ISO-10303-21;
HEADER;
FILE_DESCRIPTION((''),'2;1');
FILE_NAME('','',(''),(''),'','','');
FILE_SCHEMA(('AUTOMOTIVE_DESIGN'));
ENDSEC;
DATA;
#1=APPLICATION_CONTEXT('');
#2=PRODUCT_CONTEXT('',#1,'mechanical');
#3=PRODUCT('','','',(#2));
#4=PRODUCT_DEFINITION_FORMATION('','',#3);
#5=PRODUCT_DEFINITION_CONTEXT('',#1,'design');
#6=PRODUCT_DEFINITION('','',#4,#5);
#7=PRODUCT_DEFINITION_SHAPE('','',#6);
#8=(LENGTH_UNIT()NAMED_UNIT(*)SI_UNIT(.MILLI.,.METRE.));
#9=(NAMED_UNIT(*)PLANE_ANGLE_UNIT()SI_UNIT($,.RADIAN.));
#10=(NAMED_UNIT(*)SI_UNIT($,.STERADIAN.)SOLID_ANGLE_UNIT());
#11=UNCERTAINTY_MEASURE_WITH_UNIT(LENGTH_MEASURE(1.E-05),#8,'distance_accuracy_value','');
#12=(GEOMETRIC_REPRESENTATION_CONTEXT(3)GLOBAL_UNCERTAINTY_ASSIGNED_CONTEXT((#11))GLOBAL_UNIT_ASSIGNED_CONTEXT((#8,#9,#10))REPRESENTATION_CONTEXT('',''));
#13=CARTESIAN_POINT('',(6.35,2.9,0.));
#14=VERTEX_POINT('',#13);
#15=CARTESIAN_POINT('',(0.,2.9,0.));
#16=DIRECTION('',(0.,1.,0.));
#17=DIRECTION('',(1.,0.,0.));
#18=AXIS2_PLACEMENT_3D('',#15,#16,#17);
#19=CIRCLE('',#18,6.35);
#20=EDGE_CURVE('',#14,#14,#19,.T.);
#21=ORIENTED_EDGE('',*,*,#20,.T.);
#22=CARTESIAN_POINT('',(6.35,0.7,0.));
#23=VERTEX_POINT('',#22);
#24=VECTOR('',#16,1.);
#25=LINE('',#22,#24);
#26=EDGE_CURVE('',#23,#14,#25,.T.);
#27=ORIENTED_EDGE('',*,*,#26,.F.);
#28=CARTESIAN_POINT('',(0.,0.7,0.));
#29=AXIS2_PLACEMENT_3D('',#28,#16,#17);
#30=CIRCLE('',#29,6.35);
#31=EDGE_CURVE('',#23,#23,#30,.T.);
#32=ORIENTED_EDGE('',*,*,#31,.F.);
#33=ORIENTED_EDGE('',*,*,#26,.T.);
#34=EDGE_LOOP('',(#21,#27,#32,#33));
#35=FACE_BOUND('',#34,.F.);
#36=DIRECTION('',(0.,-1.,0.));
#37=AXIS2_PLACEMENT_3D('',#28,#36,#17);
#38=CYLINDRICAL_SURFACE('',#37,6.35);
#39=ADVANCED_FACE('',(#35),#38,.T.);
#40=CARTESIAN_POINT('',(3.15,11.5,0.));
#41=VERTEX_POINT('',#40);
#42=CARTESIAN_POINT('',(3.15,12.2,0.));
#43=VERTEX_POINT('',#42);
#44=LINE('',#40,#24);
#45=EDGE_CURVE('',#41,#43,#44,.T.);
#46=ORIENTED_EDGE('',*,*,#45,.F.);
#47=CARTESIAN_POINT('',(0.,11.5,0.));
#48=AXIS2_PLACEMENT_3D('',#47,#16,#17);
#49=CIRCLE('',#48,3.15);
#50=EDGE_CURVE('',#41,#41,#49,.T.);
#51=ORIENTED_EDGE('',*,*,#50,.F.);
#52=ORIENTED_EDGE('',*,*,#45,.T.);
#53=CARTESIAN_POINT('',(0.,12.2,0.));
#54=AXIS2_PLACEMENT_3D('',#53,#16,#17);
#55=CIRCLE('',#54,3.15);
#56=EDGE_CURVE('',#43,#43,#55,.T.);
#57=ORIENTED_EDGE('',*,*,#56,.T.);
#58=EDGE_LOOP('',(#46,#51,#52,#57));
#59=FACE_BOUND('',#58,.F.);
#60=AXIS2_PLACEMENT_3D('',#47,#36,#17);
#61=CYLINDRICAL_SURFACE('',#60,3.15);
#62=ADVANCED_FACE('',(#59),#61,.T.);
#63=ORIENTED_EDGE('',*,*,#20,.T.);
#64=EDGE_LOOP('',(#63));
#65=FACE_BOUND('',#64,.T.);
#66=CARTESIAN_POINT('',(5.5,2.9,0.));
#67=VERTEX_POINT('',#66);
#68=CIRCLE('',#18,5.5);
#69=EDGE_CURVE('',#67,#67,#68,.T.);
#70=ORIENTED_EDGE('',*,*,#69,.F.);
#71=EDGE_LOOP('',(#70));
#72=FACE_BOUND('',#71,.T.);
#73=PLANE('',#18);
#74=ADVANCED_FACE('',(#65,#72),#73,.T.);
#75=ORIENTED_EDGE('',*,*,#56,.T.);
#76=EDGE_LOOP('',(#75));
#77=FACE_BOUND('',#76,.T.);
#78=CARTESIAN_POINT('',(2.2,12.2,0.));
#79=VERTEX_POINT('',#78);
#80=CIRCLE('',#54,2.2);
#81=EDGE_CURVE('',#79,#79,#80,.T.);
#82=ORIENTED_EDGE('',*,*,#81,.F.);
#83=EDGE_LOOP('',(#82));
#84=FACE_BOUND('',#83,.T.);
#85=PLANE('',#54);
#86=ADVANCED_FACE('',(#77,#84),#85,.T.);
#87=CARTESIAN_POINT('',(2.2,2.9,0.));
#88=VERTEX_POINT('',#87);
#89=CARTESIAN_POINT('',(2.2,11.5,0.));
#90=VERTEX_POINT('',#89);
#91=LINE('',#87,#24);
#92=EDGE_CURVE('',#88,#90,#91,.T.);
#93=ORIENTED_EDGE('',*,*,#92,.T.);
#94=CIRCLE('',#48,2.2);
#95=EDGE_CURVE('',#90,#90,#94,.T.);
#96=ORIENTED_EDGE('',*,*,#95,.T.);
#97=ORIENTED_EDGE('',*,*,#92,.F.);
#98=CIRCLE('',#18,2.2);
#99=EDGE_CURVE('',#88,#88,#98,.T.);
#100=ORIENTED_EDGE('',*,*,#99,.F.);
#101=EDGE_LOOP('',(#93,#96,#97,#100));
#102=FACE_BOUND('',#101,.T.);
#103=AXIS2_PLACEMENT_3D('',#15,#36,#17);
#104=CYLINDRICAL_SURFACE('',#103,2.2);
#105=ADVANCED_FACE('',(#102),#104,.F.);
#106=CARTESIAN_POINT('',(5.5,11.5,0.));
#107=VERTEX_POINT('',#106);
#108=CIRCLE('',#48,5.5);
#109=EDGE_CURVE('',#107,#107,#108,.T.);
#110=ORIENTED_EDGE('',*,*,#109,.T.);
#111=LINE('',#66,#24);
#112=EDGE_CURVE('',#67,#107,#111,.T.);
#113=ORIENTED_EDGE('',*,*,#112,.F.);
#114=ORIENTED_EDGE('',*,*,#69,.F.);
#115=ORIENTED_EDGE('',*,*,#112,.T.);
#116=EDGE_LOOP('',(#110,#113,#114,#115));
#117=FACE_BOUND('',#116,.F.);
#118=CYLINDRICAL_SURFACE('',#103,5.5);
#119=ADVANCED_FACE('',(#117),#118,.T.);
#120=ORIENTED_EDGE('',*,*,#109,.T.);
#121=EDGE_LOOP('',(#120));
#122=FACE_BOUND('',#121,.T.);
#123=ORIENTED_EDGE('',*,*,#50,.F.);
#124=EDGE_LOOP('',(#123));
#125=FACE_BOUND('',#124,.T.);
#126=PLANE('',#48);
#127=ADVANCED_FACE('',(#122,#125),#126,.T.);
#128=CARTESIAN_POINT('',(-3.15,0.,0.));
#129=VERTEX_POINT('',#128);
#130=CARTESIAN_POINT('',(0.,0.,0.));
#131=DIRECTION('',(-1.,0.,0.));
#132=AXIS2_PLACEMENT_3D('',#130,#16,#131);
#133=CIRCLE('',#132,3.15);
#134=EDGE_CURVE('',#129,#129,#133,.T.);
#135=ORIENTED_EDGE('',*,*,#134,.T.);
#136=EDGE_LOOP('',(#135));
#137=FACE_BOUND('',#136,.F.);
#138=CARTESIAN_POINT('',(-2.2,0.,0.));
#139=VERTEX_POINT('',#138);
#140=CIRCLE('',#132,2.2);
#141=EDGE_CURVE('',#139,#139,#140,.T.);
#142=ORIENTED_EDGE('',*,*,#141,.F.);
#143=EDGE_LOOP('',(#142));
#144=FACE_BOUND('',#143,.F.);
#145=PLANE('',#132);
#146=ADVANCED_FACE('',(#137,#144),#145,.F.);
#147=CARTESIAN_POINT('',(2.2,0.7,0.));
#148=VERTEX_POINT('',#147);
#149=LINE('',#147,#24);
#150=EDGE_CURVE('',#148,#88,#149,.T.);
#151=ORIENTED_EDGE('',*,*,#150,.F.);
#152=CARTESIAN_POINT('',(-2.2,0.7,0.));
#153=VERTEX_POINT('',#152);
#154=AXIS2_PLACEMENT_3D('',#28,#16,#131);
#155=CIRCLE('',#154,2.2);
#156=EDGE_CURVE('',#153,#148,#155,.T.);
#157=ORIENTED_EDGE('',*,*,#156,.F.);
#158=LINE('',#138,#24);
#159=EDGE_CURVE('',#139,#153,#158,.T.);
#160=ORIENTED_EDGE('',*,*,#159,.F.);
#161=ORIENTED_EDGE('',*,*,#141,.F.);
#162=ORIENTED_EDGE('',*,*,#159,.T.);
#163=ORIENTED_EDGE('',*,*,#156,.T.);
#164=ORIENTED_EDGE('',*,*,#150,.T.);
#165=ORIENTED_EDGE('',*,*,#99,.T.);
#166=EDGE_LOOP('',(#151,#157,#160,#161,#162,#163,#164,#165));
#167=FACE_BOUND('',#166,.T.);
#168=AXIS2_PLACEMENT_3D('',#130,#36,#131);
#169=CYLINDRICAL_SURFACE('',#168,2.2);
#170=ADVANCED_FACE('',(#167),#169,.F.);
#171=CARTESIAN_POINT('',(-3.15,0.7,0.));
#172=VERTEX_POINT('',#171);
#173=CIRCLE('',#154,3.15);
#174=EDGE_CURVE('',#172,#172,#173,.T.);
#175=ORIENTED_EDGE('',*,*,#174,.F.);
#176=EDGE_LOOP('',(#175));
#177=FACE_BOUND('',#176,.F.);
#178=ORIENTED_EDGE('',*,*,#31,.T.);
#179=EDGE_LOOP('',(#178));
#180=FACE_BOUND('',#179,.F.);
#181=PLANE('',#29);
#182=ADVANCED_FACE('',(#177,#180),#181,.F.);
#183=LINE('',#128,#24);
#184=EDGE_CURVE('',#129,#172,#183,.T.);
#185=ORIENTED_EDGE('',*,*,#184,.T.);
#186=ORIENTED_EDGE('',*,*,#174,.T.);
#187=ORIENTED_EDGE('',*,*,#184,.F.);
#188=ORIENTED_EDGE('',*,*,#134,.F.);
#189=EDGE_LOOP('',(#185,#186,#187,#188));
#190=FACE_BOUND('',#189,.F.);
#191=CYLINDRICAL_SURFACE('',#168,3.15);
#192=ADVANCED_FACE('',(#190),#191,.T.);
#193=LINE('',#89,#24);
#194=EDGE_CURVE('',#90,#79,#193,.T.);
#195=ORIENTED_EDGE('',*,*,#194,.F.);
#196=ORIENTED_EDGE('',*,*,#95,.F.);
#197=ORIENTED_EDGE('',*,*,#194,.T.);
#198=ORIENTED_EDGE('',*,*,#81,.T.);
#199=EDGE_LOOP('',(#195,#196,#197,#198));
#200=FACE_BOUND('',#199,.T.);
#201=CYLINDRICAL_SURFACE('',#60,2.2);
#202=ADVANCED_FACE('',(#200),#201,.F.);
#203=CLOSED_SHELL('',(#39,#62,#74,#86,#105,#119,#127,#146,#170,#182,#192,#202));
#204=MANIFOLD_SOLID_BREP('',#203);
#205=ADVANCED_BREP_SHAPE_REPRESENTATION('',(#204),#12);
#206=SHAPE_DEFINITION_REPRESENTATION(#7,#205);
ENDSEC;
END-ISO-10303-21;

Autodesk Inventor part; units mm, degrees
ref_plane "YZ Plane" through (0, 0, 0) normal (1, 0, 0) x (0, 1, 0)
ref_plane "XZ Plane" through (0, 0, 0) normal (0, 1, 0) x (-1, 0, 0)
ref_plane "XY Plane" through (0, 0, 0) normal (0, 0, 1) x (1, 0, 0)
sketch "Sketch1" plane through (0, 0, 0) normal (0, 1, 0) x (-1, 0, 0)
  circle A0 centre (0, 0) radius 3.15
  circle A1 centre (0, 0) radius 2.2
  dimension "d0" = 6.3
  dimension "d1" = 4.4
extrude "Extrusion1" add sketch "Sketch1" along normal blind 0.7
sketch "Sketch2" plane through (0, 0.7, 0) normal (0, 1, 0) x (1, 0, 0)
  circle A0 centre (0, 0) radius 2.2 projected
  circle A1 centre (0, 0) radius 3.15 projected
  circle A2 centre (0, 0) radius 6.35
  dimension "d4" = 12.7
extrude "Extrusion2" add sketch "Sketch2" along normal blind 2.2 contours A1 | A2
sketch "Sketch3" plane through (0, 2.9, 0) normal (0, 1, 0) x (1, 0, 0)
  circle A0 centre (0, 0) radius 2.2 projected
  circle A1 centre (0, 0) radius 6.35 projected
  circle A2 centre (0, 0) radius 5.5
  dimension "d7" = 11
extrude "Extrusion3" add sketch "Sketch3" along normal blind 8.6 contours A2
sketch "Sketch4" plane through (0, 11.5, 0) normal (0, 1, 0) x (1, 0, 0)
  circle A0 centre (0, 0) radius 2.2 projected
  circle A1 centre (0, 0) radius 3.15 projected
extrude "Extrusion4" add sketch "Sketch4" along normal blind 0.7
properties part number "lager" material "Stainless Steel"
